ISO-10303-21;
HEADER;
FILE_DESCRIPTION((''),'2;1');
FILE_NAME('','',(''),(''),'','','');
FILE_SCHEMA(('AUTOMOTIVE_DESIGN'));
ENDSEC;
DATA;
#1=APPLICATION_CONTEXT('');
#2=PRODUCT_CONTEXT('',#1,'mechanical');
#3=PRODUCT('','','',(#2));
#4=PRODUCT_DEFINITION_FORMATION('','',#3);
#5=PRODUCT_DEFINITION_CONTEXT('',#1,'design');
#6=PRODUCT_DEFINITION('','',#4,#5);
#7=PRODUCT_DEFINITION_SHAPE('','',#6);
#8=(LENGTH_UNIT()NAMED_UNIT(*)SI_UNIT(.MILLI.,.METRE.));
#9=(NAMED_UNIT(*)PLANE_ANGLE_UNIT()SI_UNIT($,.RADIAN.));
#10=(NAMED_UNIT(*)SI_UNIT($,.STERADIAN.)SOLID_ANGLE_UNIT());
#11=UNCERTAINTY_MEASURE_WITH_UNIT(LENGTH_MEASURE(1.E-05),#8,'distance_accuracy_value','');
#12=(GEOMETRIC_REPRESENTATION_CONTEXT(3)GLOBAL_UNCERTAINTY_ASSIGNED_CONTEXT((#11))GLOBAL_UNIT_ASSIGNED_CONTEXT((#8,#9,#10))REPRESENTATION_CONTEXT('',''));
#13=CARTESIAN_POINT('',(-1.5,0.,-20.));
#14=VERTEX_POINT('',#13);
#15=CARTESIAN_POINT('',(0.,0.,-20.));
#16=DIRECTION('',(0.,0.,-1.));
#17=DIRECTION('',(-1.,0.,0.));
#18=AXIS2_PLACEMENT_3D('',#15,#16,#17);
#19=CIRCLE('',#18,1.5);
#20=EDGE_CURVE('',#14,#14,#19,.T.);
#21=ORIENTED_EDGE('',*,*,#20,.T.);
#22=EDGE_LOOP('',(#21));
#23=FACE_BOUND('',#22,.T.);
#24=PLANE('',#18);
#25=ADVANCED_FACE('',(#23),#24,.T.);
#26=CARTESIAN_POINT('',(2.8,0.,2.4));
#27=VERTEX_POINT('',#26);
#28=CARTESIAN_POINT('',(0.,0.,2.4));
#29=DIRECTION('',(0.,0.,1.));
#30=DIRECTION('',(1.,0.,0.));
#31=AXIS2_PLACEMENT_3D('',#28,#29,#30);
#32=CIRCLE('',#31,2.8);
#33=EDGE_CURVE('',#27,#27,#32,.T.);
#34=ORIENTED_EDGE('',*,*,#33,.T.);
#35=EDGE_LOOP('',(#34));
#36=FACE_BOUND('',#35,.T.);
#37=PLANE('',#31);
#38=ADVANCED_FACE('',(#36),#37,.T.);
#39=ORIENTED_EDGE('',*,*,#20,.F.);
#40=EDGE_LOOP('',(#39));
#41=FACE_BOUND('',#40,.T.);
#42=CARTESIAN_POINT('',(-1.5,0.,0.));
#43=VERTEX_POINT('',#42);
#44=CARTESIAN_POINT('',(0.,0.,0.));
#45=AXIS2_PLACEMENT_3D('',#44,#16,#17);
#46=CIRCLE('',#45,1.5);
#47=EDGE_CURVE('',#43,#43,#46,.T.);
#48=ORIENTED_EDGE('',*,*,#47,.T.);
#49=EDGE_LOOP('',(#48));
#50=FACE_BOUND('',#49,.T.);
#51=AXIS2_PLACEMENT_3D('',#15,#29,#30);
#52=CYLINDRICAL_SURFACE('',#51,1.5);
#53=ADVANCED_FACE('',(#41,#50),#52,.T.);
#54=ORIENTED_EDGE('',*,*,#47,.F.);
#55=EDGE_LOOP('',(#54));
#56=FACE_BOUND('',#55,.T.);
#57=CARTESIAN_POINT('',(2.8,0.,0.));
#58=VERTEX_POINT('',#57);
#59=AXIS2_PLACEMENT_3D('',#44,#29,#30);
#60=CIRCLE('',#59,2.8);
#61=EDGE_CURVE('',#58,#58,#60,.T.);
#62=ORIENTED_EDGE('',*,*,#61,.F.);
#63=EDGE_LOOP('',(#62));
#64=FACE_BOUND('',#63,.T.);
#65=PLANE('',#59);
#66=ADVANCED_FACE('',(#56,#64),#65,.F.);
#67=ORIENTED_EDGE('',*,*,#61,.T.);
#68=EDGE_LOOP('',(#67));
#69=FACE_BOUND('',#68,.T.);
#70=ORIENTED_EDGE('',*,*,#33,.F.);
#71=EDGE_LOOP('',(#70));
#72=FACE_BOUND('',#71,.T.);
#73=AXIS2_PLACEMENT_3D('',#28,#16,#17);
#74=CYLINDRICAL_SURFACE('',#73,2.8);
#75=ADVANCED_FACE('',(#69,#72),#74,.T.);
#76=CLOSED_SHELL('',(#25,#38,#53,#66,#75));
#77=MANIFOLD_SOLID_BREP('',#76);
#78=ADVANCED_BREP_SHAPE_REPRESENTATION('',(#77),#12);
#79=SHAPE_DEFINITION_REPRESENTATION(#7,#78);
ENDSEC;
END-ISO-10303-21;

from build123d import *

# Parameters (mm, degrees)
ESQUISSE1_R        = 2.8
BOSS_EXTRU_1_DEPTH = 2.4
ESQUISSE2_R        = 1.5
BOSS_EXTRU_2_DEPTH = 20


with BuildPart() as part:
    # Esquisse1 → Boss.-Extru.1 (new body)
    with BuildSketch(Plane.XY):
        Circle(ESQUISSE1_R)
    extrude(amount=BOSS_EXTRU_1_DEPTH)

    # Esquisse2 → Boss.-Extru.2 (add)
    with BuildSketch(Plane(origin=(0, 0, 0), x_dir=(-1, 0, 0), z_dir=(0, 0, -1))):
        Circle(ESQUISSE2_R)
    extrude(amount=BOSS_EXTRU_2_DEPTH)


solid = part.part
